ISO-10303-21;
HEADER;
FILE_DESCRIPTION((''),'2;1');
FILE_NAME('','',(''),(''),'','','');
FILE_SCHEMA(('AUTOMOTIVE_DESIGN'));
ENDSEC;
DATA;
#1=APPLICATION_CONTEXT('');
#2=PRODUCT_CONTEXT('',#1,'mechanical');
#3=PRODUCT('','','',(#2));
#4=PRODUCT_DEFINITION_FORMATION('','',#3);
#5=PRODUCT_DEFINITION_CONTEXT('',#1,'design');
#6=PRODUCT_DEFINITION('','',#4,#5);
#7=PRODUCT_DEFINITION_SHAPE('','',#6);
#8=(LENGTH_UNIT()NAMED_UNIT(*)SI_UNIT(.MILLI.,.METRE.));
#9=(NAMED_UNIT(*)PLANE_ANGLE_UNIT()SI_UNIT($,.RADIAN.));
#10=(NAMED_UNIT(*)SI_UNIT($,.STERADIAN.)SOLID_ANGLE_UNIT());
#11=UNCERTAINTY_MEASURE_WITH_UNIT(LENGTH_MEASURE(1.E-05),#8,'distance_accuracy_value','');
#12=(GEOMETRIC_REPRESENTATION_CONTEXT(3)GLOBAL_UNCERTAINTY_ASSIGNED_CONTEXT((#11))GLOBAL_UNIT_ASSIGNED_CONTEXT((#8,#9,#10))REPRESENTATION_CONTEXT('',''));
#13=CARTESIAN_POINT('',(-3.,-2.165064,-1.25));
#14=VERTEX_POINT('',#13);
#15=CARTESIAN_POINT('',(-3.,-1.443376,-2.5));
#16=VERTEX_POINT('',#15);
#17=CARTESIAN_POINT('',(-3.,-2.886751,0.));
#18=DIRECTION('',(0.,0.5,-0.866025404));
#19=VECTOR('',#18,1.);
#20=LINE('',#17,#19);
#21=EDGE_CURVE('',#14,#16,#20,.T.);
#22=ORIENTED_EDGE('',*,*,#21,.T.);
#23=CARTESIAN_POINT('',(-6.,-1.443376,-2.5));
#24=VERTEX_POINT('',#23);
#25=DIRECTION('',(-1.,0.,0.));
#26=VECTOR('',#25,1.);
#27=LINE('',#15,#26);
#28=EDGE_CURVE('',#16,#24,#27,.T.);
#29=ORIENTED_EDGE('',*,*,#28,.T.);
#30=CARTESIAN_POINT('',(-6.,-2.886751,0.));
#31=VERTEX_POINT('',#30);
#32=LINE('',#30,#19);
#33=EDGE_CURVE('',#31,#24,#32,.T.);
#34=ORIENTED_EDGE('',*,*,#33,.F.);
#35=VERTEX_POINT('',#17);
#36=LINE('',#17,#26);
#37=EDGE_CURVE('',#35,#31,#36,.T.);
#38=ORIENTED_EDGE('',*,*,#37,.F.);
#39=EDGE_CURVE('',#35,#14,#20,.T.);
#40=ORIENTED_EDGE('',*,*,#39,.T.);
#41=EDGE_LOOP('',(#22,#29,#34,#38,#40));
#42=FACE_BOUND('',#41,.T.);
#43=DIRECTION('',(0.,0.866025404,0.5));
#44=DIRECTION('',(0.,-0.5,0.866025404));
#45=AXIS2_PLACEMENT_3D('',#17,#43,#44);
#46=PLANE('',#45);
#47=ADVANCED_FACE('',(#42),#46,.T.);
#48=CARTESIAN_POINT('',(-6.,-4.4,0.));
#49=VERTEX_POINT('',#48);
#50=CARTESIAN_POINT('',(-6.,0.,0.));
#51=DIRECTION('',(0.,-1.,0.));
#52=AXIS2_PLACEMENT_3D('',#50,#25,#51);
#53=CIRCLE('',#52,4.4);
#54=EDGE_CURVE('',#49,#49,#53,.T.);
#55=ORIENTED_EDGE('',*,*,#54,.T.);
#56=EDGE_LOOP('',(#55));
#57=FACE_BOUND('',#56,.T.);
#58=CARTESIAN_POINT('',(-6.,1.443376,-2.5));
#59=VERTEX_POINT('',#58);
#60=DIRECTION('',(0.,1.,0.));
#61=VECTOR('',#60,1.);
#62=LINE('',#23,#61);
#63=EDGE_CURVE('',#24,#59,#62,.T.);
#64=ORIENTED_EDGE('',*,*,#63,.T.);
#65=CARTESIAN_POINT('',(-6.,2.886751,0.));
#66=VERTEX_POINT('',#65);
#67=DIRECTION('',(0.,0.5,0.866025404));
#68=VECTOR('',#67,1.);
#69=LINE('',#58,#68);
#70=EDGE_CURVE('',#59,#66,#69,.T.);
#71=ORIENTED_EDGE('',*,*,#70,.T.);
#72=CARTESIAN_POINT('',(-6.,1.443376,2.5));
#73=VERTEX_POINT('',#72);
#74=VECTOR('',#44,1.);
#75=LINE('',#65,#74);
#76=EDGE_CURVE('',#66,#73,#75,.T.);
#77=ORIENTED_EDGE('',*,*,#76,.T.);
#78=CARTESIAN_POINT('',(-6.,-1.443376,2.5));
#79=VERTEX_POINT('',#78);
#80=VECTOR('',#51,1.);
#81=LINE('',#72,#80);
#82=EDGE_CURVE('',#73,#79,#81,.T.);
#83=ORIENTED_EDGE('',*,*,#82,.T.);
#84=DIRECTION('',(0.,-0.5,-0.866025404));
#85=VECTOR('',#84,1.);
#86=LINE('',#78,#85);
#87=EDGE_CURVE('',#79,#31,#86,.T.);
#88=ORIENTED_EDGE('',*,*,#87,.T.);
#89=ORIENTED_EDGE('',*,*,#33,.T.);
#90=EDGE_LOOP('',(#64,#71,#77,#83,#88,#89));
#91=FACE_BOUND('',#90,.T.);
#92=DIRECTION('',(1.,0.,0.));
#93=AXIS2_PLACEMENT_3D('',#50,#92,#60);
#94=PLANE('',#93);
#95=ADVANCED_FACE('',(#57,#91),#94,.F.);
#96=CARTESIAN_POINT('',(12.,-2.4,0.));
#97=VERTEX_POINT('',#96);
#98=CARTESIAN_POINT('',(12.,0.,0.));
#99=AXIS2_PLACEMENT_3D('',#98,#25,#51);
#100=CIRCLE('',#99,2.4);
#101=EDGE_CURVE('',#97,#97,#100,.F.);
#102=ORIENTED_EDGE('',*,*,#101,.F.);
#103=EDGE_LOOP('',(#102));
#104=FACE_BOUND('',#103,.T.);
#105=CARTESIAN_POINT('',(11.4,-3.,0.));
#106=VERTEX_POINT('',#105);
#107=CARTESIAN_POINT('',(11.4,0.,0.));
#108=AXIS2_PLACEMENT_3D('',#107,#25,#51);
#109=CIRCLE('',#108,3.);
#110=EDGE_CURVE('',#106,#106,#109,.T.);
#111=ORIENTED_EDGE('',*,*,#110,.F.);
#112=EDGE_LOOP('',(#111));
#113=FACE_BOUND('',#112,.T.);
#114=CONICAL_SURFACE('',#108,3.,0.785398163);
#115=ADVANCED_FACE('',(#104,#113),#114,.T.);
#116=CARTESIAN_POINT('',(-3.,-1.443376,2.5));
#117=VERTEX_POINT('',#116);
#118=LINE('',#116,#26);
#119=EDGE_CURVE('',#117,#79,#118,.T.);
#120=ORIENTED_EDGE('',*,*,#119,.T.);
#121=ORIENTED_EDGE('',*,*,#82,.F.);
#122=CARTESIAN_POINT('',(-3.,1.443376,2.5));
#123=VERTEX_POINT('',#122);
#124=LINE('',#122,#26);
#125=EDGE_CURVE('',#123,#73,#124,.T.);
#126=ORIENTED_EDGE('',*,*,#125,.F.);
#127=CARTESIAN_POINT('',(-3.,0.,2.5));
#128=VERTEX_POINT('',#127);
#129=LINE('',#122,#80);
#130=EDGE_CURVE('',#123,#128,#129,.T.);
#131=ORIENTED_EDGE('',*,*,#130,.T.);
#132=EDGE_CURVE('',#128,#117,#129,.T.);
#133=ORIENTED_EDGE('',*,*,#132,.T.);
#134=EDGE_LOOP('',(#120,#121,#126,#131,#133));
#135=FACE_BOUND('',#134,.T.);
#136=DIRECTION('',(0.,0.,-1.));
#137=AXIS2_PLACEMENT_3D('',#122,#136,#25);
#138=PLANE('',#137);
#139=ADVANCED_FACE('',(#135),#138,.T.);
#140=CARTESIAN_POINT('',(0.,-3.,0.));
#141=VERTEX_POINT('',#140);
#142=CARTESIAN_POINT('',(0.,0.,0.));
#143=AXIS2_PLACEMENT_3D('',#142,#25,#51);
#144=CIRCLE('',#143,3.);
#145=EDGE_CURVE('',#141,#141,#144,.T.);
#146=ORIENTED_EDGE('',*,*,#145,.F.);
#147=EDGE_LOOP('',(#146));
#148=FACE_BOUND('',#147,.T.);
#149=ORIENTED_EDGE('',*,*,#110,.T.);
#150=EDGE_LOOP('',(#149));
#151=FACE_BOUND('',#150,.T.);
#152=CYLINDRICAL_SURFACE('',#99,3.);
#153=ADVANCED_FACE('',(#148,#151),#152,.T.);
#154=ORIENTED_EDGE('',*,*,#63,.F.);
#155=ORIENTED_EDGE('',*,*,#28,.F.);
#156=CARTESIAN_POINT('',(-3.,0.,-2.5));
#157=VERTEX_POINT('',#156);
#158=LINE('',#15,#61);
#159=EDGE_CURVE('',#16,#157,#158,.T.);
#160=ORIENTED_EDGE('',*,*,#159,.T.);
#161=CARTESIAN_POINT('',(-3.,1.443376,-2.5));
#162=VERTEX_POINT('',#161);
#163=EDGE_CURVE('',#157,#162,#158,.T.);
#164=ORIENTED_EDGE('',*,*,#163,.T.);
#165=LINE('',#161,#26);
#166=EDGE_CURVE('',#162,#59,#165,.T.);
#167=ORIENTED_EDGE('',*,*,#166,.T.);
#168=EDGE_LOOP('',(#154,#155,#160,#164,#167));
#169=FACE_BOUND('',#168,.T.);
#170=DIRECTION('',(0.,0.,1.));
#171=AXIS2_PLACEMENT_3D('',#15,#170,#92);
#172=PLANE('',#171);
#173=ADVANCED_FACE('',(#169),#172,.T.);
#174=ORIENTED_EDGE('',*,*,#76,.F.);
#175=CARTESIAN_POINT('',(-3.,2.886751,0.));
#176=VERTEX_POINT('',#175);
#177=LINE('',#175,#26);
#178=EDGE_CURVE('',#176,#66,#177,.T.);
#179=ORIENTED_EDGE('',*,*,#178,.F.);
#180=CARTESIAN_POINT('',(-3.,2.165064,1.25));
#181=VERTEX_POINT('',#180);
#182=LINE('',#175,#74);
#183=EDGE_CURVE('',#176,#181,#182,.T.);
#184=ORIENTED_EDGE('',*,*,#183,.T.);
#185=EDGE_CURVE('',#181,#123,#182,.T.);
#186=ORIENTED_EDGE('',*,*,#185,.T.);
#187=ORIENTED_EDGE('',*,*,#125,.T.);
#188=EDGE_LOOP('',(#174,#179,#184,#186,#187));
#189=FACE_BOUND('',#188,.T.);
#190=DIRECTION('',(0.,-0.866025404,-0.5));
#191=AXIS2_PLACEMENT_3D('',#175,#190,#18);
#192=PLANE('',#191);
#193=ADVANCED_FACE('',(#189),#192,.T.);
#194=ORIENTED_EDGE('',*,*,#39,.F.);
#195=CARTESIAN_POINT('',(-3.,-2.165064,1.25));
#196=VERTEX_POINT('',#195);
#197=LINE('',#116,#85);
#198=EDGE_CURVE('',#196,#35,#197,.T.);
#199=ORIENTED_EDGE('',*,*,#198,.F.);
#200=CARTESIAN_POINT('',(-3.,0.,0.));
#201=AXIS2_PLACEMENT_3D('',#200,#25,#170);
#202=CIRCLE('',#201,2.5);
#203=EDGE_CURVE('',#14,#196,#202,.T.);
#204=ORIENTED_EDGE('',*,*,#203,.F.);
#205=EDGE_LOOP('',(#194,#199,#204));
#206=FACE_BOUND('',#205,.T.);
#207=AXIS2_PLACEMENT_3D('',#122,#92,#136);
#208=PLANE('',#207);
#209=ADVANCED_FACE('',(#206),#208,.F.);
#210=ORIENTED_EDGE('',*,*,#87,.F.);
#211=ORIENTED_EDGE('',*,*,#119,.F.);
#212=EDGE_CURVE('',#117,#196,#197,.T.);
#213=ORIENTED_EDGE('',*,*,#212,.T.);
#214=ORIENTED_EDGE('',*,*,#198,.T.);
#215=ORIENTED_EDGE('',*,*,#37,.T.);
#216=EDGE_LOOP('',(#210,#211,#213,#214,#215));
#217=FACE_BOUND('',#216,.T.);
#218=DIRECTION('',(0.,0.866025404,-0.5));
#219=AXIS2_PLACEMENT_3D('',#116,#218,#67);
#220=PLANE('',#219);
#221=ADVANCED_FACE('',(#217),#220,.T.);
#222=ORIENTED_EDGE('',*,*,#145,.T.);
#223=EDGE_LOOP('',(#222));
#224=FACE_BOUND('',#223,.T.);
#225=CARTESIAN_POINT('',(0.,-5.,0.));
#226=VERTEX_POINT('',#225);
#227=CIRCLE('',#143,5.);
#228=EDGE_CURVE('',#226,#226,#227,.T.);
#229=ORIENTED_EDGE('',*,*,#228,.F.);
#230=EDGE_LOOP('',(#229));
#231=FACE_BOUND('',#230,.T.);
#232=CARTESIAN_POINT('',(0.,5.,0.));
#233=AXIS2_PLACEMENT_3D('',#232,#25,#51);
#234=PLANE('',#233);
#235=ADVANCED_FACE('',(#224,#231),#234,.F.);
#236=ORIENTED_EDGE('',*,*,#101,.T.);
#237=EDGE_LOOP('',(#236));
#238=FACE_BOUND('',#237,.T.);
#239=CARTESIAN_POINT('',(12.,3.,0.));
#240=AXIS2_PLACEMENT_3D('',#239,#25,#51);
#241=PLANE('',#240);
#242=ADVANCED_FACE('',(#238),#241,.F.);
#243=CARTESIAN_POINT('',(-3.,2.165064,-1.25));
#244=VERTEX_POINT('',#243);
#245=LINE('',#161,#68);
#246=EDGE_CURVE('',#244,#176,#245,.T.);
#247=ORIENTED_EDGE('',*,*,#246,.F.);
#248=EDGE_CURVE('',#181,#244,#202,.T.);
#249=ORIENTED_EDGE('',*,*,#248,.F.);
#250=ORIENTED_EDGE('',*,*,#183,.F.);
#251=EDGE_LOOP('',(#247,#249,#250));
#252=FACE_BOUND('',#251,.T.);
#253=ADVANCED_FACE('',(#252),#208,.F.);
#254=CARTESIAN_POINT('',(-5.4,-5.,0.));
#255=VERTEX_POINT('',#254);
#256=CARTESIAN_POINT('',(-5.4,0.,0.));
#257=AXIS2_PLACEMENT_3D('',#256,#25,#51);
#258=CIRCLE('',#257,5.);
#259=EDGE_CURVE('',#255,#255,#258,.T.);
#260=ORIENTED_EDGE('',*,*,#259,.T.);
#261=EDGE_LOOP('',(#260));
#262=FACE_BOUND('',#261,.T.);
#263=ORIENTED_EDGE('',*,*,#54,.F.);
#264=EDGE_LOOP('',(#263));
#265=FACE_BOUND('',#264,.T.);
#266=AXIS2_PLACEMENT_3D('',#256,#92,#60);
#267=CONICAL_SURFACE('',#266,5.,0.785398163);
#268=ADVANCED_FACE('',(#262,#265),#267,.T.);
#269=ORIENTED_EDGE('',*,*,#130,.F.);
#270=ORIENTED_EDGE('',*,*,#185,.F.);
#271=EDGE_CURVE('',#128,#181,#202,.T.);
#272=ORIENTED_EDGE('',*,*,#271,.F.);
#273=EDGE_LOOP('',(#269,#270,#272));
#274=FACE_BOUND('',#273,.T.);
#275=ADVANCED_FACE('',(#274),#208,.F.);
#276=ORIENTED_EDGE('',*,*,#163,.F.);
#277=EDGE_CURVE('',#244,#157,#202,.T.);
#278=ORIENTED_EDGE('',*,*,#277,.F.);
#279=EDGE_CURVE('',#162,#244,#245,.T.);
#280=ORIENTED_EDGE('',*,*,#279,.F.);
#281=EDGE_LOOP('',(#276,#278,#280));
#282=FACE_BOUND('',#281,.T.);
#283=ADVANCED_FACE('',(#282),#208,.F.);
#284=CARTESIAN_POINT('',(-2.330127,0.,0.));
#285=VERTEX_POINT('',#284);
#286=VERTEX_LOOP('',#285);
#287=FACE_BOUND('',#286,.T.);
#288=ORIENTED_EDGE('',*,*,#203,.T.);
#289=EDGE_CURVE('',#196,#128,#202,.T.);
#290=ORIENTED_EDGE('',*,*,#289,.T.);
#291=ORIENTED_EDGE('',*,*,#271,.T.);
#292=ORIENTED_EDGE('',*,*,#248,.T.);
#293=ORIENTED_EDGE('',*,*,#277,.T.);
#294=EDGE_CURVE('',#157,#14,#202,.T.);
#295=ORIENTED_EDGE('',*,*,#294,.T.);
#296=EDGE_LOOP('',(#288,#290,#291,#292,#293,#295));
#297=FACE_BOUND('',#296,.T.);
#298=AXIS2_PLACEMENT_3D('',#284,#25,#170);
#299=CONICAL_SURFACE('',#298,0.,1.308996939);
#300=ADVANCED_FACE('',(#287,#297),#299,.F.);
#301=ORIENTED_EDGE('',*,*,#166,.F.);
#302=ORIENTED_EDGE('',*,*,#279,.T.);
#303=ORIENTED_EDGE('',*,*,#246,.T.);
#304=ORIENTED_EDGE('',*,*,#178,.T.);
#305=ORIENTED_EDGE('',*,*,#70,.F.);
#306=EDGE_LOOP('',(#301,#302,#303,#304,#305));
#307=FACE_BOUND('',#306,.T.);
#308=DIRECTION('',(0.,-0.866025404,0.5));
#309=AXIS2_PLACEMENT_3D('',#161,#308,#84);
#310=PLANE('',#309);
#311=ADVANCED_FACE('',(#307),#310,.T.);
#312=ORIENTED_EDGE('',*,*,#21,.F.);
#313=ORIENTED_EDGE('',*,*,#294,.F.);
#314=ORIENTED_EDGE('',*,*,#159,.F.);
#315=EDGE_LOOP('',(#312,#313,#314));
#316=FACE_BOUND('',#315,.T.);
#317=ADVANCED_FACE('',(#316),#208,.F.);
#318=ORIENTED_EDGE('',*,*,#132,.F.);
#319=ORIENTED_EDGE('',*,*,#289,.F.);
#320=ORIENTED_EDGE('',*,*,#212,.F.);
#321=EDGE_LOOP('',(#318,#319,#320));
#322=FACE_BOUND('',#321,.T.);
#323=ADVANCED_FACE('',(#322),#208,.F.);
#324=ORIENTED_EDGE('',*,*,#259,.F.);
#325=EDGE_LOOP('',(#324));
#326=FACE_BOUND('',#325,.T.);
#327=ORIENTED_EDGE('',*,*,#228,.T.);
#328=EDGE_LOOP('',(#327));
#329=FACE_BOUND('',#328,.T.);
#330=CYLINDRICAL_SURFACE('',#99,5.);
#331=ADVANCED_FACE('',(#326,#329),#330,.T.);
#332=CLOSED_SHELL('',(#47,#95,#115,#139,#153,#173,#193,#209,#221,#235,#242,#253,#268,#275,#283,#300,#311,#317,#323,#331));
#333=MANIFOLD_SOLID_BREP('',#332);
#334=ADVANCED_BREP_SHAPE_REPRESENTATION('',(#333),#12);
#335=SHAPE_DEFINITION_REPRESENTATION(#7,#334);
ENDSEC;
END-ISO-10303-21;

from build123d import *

# Parameters (mm, degrees)
CHAMFER1_SIZE      = 0.6
CUT_EXTRUDE1_DEPTH = 3


with BuildPart() as part:
    # Sketch1 → Revolve1 (revolve)
    with BuildSketch(Plane.XY):
        Polygon((-6, 0), (-6, 4.4), (-5.4, 5), (0, 5), (0, 3), (12, 3), (12, 0), align=None)
    revolve(axis=Axis((12, 0, 0), (-1, 0, 0)))

    # Chamfer1
    chamfer1_edges = [part.edges().sort_by_distance(p)[0] for p in [
        (12, -3, 0),
    ]]
    chamfer(chamfer1_edges, length=CHAMFER1_SIZE)

    # Sketch2 → Cut-Revolve1 (revolve, cut)
    with BuildSketch(Plane.XY):
        Polygon((-6, 0), (-6, 2.5), (-3, 2.5), (-2.330127019, 0), align=None)
    revolve(axis=Axis((-2.330127019, 0, 0), (-1, 0, 0)), mode=Mode.SUBTRACT)

    # Sketch3 → Cut-Extrude1 (cut)
    with BuildSketch(Plane(origin=(-6, 0, 0), x_dir=(0, 0, -1), z_dir=(1, 0, 0))):
        Polygon((-2.5, 1.443375673), (-2.5, -1.443375673), (0, -2.886751346), (2.5, -1.443375673), (2.5, 1.443375673), (0, 2.886751346), align=None)
    extrude(amount=CUT_EXTRUDE1_DEPTH, mode=Mode.SUBTRACT)


solid = part.part
